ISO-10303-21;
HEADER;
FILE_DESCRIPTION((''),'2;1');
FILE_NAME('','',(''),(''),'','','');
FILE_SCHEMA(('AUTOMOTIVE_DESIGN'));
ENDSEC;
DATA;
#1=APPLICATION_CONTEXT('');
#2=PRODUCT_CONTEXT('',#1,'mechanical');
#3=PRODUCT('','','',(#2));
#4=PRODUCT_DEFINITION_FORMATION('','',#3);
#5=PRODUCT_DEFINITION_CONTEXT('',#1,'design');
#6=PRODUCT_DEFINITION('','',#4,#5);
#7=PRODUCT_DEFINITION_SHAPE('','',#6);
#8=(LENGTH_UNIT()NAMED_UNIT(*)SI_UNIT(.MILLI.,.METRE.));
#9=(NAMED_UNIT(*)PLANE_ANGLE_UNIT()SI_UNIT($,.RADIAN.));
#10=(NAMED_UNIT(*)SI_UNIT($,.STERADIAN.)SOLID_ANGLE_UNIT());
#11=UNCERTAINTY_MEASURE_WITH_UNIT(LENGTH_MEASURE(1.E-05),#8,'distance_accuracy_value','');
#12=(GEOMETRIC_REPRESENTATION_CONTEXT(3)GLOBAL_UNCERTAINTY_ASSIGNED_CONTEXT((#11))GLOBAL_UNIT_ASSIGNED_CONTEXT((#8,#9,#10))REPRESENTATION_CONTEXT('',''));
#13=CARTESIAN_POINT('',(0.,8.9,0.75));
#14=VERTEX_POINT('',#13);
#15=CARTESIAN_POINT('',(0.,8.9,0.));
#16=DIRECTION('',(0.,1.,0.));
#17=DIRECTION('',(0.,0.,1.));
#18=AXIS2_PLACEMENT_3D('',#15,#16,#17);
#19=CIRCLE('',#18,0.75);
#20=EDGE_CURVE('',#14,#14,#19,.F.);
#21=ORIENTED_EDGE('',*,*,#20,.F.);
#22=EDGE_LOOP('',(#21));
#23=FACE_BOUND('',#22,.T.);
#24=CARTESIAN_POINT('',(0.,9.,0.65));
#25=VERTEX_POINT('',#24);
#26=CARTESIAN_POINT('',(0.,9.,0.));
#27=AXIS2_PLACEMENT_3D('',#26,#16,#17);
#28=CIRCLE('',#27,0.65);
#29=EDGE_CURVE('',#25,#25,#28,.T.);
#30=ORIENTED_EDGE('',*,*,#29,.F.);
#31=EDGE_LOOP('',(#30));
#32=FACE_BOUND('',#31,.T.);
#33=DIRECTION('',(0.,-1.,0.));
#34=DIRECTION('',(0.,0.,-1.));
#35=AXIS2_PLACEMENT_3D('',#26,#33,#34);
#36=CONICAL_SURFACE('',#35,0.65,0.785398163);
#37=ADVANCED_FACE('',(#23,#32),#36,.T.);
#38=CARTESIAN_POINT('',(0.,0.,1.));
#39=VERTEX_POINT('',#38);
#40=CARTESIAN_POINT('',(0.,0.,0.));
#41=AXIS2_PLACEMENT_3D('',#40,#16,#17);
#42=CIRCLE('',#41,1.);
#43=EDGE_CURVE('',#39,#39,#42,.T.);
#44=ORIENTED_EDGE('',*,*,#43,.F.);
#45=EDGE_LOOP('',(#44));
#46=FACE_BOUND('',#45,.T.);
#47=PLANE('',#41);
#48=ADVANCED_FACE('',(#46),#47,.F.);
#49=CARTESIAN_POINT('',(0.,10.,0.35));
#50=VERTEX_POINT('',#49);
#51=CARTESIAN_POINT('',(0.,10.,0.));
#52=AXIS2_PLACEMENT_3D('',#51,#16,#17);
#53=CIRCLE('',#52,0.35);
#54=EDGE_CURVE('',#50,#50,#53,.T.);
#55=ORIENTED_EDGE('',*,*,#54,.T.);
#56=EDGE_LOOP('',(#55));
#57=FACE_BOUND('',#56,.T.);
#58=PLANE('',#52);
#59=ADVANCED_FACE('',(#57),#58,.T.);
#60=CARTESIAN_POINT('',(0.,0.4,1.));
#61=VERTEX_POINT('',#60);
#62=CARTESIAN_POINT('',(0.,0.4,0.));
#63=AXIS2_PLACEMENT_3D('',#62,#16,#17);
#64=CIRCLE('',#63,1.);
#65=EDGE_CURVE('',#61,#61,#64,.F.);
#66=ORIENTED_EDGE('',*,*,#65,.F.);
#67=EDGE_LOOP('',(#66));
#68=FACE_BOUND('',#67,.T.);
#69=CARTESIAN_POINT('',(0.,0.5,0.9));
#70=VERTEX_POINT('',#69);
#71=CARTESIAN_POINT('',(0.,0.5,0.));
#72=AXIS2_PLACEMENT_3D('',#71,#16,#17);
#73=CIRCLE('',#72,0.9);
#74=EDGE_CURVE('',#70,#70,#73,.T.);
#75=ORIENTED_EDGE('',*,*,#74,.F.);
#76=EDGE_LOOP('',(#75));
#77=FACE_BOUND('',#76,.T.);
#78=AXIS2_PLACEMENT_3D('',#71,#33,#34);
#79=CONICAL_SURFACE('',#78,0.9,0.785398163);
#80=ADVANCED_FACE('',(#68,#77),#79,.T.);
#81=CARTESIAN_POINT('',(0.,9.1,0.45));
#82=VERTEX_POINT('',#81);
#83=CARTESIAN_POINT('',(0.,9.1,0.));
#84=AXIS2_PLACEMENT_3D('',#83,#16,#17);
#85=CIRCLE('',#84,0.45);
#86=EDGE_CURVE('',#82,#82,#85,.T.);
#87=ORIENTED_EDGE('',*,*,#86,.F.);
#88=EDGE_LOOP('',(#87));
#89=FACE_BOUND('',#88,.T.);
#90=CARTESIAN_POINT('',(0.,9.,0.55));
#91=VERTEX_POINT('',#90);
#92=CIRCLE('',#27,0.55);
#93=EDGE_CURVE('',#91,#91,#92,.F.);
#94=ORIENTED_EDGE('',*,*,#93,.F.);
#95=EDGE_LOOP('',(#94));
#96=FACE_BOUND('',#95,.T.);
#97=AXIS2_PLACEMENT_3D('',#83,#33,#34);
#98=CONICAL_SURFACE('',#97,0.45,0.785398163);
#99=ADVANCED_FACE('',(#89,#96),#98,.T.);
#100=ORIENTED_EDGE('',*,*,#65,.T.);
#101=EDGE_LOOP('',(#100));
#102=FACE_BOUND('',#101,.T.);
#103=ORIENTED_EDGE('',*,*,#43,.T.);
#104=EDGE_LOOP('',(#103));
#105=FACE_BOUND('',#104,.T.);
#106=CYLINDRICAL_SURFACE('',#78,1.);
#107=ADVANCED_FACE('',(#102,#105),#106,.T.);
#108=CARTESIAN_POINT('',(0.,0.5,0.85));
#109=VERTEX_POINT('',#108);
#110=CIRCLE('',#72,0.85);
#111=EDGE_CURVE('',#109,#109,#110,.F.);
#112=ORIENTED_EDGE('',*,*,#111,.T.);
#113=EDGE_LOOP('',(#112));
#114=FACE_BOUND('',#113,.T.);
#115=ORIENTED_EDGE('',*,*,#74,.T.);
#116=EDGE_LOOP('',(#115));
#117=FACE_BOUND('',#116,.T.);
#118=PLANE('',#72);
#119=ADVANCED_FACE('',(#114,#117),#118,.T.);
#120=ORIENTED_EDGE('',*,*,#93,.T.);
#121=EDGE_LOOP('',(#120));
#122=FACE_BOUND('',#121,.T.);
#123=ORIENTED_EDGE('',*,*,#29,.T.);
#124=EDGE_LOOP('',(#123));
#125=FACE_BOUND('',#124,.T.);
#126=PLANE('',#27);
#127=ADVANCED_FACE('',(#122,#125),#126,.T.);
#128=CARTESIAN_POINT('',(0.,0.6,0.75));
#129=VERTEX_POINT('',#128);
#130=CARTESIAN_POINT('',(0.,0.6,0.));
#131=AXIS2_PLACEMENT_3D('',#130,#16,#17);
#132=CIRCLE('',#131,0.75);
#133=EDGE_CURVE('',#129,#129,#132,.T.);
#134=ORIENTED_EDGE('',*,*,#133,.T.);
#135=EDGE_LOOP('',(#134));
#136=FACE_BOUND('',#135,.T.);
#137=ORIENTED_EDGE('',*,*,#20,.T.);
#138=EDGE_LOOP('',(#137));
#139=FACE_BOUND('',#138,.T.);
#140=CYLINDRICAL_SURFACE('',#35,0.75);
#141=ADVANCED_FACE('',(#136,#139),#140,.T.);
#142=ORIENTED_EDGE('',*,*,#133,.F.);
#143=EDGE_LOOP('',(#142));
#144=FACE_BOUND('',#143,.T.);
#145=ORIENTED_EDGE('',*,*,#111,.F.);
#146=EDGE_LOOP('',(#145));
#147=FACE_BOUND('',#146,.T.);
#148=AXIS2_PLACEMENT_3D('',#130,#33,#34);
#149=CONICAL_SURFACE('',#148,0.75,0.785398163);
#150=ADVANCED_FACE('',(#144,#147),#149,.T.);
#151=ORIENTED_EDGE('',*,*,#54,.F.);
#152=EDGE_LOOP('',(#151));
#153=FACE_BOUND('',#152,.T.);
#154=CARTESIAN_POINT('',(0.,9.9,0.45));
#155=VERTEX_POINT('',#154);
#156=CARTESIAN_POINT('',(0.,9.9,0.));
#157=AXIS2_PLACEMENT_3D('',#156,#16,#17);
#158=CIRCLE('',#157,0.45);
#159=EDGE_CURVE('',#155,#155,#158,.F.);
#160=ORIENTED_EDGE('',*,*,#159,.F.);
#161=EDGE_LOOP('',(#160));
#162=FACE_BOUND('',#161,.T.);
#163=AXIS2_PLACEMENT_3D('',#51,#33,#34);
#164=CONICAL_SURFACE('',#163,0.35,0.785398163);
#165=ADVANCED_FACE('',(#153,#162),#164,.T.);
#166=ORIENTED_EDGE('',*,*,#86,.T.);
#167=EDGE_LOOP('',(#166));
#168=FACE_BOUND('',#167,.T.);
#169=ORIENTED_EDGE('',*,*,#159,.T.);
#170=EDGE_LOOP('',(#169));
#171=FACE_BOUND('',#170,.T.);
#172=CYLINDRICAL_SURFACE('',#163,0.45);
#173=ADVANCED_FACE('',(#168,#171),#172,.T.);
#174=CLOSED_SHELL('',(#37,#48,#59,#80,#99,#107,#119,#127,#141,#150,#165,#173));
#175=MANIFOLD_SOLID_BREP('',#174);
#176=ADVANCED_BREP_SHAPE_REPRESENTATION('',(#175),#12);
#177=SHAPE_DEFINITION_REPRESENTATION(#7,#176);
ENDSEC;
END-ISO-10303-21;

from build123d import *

# Parameters (mm, degrees)
SKETCH_1_R      = 1
SKETCH_1_R_2    = 0.75
EXTRUDE_1_DEPTH = 0.5
SKETCH_1_4_R    = 0.75
SKETCH_1_4_R_2  = 0.45
EXTRUDE_2_DEPTH = 9
SKETCH_1_6_R    = 0.45
EXTRUDE_3_DEPTH = 10
CHAMFER_3_SIZE  = 0.1
CHAMFER_4_SIZE  = 0.1
CHAMFER_5_SIZE  = 0.1


with BuildPart() as part:
    # 草图1 → 凸台-拉伸1 (new body)
    with BuildSketch(Plane(origin=(0, 0, 0), x_dir=(1, 0, 0), z_dir=(0, 1, 0))):
        Circle(SKETCH_1_R)
        Circle(SKETCH_1_R_2, mode=Mode.SUBTRACT)
    extrude(amount=EXTRUDE_1_DEPTH)

    # 草图1<4> → 凸台-拉伸2 (add)
    with BuildSketch(Plane(origin=(0, 0, 0), x_dir=(1, 0, 0), z_dir=(0, 1, 0))):
        Circle(SKETCH_1_4_R)
        Circle(SKETCH_1_4_R_2, mode=Mode.SUBTRACT)
    extrude(amount=EXTRUDE_2_DEPTH)

    # 草图1<6> → 凸台-拉伸3 (add)
    with BuildSketch(Plane(origin=(0, 0, 0), x_dir=(1, 0, 0), z_dir=(0, 1, 0))):
        Circle(SKETCH_1_6_R)
    extrude(amount=EXTRUDE_3_DEPTH)

    # 倒角3
    chamfer_3_edges = [part.edges().sort_by_distance(p)[0] for p in [
        (-0.45, 10, 0),
    ]]
    chamfer(chamfer_3_edges, length=CHAMFER_3_SIZE)

    # 倒角4
    chamfer_4_edges = [part.edges().sort_by_distance(p)[0] for p in [
        (-1, 0.5, 0),
        (-0.75, 0.5, 0),
    ]]
    chamfer(chamfer_4_edges, length=CHAMFER_4_SIZE)

    # 倒角5
    chamfer_5_edges = [part.edges().sort_by_distance(p)[0] for p in [
        (-0.45, 9, 0),
        (-0.75, 9, 0),
    ]]
    chamfer(chamfer_5_edges, length=CHAMFER_5_SIZE)


solid = part.part
